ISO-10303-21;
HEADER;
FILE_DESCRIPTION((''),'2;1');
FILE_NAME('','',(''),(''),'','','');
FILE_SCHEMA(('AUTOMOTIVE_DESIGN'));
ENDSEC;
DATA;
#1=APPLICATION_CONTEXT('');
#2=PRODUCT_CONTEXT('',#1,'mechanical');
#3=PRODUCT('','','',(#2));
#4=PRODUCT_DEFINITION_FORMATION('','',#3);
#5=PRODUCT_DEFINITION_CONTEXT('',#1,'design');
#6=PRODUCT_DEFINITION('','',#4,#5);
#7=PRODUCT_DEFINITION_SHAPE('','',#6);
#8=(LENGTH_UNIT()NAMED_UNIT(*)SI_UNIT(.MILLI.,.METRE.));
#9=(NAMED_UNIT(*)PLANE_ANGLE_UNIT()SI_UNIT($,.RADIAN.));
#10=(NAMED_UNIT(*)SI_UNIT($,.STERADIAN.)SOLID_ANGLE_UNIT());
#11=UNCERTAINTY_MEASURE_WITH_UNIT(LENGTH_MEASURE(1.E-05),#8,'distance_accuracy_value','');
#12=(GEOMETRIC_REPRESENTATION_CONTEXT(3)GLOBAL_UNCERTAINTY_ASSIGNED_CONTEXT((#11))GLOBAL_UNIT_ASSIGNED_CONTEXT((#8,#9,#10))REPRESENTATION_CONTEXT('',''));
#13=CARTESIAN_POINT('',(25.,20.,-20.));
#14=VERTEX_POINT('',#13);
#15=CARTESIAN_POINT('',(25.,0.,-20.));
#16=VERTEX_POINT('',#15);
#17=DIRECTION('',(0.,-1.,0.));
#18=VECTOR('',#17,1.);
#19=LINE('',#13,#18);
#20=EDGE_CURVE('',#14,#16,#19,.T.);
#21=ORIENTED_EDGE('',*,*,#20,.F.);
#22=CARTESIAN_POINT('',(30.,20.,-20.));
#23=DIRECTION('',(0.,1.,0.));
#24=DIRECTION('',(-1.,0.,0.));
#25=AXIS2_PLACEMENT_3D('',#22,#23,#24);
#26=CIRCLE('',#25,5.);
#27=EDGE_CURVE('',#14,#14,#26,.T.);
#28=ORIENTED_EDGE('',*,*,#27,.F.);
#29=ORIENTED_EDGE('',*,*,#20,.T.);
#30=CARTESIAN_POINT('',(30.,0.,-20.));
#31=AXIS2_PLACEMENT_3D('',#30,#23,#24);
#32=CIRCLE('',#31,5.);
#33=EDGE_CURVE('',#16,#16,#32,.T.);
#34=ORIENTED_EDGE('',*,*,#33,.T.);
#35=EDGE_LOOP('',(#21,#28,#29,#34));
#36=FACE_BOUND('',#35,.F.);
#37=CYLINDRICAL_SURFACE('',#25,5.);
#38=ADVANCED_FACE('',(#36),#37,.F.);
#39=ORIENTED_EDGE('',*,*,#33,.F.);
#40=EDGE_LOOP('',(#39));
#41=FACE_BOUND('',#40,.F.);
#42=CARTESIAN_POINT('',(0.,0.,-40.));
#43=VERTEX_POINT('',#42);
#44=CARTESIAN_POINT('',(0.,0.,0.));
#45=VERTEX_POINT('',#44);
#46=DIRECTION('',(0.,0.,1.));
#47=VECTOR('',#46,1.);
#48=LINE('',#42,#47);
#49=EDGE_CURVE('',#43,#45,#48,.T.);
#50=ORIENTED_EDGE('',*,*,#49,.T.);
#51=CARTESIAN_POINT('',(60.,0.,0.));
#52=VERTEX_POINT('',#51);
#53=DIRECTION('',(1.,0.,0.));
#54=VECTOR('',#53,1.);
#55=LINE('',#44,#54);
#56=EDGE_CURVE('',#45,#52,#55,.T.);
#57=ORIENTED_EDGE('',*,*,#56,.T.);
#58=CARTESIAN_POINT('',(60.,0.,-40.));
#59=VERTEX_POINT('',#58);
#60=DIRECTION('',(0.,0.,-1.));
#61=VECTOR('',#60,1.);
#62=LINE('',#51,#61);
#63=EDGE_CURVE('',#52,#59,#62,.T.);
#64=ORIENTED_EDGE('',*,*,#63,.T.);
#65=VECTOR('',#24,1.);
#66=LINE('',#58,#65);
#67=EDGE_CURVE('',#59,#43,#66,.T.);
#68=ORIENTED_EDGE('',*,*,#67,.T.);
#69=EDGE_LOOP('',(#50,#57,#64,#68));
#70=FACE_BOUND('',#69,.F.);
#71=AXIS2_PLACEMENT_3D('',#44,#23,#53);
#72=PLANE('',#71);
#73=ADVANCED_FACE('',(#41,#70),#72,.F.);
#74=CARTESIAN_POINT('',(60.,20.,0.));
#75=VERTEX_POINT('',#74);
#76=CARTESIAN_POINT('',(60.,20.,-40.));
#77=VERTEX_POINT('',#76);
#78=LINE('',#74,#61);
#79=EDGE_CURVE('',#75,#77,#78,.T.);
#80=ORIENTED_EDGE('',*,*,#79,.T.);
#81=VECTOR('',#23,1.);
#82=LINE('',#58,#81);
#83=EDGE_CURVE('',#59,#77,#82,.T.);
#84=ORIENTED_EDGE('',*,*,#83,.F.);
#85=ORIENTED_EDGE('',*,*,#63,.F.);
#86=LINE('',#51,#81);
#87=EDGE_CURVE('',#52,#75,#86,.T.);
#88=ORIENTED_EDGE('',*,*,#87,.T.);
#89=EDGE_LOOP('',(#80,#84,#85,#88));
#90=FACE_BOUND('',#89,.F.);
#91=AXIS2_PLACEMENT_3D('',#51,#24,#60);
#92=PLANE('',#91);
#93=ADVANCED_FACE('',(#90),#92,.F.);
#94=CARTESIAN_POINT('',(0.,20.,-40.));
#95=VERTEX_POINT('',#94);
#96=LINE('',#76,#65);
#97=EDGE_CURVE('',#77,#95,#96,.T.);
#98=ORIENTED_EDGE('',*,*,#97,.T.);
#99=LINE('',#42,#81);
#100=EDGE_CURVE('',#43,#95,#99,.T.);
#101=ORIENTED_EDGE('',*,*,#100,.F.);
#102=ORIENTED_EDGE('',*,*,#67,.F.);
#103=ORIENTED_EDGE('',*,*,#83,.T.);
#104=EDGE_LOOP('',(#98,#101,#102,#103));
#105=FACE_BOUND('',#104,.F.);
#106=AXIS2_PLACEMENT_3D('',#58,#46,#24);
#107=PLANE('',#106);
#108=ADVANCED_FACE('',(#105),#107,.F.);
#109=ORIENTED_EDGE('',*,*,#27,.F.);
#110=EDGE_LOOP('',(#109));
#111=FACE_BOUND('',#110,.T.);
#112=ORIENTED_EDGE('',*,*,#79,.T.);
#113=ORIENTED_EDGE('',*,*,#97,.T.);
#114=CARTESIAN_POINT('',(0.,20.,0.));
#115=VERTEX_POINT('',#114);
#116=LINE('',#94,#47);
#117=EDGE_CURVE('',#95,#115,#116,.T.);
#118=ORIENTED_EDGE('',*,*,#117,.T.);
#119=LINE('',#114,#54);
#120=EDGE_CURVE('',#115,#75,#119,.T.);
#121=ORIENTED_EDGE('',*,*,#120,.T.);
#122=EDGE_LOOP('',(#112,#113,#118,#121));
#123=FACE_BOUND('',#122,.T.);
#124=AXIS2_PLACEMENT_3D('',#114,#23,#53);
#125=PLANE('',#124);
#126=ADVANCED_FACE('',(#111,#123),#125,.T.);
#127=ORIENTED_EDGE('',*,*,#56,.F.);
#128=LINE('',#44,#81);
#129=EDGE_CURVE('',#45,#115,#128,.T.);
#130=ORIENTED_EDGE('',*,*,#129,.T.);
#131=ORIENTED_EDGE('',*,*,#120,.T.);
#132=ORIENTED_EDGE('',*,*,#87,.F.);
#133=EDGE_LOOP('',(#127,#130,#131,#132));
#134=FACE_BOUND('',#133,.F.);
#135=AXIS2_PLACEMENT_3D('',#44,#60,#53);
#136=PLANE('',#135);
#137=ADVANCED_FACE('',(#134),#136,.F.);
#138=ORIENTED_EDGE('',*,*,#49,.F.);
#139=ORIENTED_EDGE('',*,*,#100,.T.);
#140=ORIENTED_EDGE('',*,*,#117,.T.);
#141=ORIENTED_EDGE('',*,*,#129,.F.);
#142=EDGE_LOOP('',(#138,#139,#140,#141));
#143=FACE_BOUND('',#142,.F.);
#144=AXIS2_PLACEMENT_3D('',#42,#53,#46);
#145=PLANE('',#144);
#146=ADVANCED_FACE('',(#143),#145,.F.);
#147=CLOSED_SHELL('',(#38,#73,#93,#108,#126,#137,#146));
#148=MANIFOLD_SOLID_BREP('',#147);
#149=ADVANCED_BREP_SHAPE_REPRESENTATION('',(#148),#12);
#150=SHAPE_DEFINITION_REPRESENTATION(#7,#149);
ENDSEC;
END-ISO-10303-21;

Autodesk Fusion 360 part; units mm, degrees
sketch "草图1" plane through (0, 0, 0) normal (0, 1, 0) x (1, 0, 0)
  line L0 (0, 0) -> (60, 0)
  line L1 (60, 0) -> (60, 40)
  line L2 (60, 40) -> (0, 40)
  line L3 (0, 40) -> (0, 0)
extrude "拉伸1" add sketch "草图1" along normal blind 20
sketch "草图2" plane through (0, 20, 0) normal (0, 1, 0) x (-1, 0, 0)
  line L0 (0, -40) -> (0, 0)
  line L1 (0, 0) -> (-60, 0)
  line L2 (-60, 0) -> (-60, -40)
  line L3 (-60, -40) -> (0, -40)
  line L4 (0, 0) -> (-60, -40) construction
  line L5 (0, -40) -> (-60, 0) construction
  circle A0 centre (-30, -20) radius 5
  dimension "d3" = 10
extrude "拉伸2" cut sketch "草图2" against normal through all contours A0
